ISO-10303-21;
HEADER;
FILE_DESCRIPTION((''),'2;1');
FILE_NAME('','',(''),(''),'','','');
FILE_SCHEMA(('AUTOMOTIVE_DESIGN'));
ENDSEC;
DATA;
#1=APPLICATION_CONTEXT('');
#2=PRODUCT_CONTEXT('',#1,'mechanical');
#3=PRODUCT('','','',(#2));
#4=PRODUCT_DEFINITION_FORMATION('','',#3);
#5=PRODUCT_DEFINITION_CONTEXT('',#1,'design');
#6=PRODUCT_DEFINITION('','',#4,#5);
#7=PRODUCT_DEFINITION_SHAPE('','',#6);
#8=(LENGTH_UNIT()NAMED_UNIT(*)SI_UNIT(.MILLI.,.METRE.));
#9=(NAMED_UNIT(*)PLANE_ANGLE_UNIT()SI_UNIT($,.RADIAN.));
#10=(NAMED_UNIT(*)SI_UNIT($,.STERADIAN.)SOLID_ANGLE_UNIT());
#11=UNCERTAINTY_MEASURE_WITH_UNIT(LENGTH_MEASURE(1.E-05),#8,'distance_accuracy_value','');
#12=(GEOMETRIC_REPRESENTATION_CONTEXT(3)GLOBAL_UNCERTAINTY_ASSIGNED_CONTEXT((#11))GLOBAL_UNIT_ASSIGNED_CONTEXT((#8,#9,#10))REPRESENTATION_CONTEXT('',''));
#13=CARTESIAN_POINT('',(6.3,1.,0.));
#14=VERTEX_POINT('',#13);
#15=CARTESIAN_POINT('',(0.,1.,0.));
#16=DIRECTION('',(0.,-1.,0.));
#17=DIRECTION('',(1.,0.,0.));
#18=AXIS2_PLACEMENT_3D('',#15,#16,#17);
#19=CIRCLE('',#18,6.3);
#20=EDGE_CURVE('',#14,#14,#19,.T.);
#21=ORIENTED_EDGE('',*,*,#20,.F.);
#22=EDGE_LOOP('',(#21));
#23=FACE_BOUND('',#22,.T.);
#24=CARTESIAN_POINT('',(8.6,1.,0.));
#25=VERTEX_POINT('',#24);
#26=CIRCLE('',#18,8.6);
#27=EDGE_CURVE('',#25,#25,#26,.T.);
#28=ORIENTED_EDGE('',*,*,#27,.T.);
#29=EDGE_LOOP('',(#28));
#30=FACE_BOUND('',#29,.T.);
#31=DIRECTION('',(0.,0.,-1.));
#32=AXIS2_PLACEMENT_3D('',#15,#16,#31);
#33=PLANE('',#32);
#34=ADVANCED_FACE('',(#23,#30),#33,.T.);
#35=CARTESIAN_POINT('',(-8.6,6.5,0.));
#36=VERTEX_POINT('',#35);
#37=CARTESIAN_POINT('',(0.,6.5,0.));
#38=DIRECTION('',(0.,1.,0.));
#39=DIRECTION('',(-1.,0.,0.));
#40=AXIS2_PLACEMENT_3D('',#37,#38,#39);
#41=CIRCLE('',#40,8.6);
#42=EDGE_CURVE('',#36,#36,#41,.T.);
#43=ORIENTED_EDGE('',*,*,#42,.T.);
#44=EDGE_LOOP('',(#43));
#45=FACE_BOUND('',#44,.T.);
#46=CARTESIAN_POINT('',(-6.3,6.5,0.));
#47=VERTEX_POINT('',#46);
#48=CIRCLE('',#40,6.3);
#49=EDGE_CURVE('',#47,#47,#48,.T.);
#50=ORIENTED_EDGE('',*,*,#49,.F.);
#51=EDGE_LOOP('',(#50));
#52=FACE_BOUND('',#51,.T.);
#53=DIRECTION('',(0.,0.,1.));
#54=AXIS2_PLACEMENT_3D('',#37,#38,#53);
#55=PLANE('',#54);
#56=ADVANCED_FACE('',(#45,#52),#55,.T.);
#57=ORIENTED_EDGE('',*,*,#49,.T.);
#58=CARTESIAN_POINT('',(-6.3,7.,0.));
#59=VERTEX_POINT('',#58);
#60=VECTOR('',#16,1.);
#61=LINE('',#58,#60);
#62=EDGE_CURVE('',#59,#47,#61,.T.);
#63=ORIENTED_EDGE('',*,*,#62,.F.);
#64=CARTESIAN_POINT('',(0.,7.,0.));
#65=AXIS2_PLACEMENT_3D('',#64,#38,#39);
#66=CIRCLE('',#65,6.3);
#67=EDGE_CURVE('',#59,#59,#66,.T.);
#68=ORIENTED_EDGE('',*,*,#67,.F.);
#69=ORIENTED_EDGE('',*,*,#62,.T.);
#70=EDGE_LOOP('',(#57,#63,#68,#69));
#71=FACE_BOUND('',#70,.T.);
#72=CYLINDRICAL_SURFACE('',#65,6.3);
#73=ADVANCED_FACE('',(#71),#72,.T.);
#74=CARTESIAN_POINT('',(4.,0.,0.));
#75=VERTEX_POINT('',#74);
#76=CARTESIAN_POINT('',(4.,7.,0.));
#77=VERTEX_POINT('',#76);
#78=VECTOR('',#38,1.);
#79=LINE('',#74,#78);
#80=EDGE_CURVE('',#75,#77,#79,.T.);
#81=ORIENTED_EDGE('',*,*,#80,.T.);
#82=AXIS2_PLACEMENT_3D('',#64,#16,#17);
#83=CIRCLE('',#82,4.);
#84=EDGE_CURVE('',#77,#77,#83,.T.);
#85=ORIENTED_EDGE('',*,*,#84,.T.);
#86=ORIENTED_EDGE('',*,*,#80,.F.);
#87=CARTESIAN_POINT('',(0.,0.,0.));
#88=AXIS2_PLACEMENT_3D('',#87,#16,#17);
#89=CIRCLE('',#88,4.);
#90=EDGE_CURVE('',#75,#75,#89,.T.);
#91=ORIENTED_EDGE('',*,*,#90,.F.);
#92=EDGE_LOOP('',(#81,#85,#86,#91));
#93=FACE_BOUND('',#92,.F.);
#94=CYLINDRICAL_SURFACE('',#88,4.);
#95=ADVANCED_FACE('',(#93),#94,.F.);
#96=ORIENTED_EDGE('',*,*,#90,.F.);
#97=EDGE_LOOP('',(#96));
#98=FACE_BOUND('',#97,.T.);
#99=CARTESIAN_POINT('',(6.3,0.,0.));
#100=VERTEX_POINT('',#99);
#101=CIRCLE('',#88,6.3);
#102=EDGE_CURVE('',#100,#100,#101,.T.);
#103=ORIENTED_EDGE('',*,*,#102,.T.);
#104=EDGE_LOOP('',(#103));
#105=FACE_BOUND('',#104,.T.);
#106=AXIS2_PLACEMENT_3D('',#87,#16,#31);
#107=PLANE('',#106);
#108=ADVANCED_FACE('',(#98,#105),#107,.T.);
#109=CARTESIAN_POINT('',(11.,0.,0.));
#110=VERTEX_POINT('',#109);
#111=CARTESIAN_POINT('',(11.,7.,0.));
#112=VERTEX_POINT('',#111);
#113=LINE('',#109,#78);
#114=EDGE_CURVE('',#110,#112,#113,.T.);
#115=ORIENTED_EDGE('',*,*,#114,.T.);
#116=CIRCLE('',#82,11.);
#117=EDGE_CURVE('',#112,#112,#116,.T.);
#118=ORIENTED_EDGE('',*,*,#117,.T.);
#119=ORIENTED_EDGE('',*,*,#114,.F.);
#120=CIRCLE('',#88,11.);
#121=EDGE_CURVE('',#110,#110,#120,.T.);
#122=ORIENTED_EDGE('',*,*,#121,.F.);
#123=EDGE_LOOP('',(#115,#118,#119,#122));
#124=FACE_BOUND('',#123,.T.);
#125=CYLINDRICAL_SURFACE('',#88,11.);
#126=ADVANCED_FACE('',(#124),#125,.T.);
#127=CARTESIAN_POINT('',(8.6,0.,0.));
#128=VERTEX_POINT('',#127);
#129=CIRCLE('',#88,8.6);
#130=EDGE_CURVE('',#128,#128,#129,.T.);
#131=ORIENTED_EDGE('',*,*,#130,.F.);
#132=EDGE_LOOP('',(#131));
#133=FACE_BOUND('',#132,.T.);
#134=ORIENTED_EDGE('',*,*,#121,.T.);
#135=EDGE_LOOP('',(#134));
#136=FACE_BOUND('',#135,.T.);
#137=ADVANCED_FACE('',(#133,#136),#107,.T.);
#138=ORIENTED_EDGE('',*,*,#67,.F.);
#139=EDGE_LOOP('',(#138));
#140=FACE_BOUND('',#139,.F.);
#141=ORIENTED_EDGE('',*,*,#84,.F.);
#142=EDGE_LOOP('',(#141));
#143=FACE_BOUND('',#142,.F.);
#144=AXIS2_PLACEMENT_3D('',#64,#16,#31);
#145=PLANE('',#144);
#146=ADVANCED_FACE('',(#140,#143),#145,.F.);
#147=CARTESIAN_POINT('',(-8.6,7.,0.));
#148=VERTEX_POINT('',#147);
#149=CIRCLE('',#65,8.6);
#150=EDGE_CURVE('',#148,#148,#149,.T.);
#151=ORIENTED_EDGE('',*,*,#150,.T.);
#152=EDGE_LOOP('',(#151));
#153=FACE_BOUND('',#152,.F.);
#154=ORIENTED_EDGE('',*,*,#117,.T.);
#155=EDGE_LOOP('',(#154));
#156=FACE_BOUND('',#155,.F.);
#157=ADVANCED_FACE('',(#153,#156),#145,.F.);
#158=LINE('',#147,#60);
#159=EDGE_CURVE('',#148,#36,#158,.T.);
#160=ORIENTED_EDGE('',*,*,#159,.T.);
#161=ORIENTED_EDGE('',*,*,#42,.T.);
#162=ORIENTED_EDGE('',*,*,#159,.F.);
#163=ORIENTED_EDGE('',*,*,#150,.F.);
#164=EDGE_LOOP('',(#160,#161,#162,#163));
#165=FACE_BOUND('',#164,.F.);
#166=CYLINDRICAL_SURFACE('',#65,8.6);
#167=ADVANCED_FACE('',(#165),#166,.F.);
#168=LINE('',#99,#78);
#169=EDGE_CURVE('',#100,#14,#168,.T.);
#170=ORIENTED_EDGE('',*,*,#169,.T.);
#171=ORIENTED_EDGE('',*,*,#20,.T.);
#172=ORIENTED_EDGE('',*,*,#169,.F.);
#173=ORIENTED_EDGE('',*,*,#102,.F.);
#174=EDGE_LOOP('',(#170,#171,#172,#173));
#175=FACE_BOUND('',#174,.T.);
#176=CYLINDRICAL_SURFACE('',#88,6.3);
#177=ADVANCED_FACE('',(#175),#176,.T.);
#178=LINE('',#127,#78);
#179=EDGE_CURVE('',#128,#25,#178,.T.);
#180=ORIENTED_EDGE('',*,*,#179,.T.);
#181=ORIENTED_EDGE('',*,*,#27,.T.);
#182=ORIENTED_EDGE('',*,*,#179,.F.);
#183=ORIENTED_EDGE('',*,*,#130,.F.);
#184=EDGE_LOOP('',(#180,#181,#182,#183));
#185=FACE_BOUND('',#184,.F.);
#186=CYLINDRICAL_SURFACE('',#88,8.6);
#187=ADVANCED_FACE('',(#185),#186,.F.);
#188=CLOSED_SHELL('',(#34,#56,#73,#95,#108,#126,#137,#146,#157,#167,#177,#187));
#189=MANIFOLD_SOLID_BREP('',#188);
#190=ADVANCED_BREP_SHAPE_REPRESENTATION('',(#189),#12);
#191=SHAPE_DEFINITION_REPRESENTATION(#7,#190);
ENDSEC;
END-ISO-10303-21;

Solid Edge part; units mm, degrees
sketch "Sketch1" plane through (0, 0, 0) normal (0, -1, 0) x (1, 0, 0)
  circle A0 centre (0, 0) radius 11
  circle A1 centre (0, 0) radius 4
  dimension "D1" = 8
  dimension "D2" = 22
extrude "Protrusion1" add sketch "Sketch1" against normal blind 7
sketch "Sketch2" plane through (0, 0, 0) normal (0, -1, 0) x (1, 0, 0)
  circle A0 centre (0, 0) radius 8.6
  circle A1 centre (0, 0) radius 6.3
extrude "ExtrudedCutout_1" cut sketch "Sketch2" against normal blind 1
sketch "Sketch3" plane through (0, 7, 0) normal (0, 1, 0) x (-1, 0, 0)
  circle A0 centre (0, 0) radius 8.6
  circle A1 centre (0, 0) radius 6.3
extrude "ExtrudedCutout_3" cut sketch "Sketch3" against normal blind 0.5
properties material "Steel"
